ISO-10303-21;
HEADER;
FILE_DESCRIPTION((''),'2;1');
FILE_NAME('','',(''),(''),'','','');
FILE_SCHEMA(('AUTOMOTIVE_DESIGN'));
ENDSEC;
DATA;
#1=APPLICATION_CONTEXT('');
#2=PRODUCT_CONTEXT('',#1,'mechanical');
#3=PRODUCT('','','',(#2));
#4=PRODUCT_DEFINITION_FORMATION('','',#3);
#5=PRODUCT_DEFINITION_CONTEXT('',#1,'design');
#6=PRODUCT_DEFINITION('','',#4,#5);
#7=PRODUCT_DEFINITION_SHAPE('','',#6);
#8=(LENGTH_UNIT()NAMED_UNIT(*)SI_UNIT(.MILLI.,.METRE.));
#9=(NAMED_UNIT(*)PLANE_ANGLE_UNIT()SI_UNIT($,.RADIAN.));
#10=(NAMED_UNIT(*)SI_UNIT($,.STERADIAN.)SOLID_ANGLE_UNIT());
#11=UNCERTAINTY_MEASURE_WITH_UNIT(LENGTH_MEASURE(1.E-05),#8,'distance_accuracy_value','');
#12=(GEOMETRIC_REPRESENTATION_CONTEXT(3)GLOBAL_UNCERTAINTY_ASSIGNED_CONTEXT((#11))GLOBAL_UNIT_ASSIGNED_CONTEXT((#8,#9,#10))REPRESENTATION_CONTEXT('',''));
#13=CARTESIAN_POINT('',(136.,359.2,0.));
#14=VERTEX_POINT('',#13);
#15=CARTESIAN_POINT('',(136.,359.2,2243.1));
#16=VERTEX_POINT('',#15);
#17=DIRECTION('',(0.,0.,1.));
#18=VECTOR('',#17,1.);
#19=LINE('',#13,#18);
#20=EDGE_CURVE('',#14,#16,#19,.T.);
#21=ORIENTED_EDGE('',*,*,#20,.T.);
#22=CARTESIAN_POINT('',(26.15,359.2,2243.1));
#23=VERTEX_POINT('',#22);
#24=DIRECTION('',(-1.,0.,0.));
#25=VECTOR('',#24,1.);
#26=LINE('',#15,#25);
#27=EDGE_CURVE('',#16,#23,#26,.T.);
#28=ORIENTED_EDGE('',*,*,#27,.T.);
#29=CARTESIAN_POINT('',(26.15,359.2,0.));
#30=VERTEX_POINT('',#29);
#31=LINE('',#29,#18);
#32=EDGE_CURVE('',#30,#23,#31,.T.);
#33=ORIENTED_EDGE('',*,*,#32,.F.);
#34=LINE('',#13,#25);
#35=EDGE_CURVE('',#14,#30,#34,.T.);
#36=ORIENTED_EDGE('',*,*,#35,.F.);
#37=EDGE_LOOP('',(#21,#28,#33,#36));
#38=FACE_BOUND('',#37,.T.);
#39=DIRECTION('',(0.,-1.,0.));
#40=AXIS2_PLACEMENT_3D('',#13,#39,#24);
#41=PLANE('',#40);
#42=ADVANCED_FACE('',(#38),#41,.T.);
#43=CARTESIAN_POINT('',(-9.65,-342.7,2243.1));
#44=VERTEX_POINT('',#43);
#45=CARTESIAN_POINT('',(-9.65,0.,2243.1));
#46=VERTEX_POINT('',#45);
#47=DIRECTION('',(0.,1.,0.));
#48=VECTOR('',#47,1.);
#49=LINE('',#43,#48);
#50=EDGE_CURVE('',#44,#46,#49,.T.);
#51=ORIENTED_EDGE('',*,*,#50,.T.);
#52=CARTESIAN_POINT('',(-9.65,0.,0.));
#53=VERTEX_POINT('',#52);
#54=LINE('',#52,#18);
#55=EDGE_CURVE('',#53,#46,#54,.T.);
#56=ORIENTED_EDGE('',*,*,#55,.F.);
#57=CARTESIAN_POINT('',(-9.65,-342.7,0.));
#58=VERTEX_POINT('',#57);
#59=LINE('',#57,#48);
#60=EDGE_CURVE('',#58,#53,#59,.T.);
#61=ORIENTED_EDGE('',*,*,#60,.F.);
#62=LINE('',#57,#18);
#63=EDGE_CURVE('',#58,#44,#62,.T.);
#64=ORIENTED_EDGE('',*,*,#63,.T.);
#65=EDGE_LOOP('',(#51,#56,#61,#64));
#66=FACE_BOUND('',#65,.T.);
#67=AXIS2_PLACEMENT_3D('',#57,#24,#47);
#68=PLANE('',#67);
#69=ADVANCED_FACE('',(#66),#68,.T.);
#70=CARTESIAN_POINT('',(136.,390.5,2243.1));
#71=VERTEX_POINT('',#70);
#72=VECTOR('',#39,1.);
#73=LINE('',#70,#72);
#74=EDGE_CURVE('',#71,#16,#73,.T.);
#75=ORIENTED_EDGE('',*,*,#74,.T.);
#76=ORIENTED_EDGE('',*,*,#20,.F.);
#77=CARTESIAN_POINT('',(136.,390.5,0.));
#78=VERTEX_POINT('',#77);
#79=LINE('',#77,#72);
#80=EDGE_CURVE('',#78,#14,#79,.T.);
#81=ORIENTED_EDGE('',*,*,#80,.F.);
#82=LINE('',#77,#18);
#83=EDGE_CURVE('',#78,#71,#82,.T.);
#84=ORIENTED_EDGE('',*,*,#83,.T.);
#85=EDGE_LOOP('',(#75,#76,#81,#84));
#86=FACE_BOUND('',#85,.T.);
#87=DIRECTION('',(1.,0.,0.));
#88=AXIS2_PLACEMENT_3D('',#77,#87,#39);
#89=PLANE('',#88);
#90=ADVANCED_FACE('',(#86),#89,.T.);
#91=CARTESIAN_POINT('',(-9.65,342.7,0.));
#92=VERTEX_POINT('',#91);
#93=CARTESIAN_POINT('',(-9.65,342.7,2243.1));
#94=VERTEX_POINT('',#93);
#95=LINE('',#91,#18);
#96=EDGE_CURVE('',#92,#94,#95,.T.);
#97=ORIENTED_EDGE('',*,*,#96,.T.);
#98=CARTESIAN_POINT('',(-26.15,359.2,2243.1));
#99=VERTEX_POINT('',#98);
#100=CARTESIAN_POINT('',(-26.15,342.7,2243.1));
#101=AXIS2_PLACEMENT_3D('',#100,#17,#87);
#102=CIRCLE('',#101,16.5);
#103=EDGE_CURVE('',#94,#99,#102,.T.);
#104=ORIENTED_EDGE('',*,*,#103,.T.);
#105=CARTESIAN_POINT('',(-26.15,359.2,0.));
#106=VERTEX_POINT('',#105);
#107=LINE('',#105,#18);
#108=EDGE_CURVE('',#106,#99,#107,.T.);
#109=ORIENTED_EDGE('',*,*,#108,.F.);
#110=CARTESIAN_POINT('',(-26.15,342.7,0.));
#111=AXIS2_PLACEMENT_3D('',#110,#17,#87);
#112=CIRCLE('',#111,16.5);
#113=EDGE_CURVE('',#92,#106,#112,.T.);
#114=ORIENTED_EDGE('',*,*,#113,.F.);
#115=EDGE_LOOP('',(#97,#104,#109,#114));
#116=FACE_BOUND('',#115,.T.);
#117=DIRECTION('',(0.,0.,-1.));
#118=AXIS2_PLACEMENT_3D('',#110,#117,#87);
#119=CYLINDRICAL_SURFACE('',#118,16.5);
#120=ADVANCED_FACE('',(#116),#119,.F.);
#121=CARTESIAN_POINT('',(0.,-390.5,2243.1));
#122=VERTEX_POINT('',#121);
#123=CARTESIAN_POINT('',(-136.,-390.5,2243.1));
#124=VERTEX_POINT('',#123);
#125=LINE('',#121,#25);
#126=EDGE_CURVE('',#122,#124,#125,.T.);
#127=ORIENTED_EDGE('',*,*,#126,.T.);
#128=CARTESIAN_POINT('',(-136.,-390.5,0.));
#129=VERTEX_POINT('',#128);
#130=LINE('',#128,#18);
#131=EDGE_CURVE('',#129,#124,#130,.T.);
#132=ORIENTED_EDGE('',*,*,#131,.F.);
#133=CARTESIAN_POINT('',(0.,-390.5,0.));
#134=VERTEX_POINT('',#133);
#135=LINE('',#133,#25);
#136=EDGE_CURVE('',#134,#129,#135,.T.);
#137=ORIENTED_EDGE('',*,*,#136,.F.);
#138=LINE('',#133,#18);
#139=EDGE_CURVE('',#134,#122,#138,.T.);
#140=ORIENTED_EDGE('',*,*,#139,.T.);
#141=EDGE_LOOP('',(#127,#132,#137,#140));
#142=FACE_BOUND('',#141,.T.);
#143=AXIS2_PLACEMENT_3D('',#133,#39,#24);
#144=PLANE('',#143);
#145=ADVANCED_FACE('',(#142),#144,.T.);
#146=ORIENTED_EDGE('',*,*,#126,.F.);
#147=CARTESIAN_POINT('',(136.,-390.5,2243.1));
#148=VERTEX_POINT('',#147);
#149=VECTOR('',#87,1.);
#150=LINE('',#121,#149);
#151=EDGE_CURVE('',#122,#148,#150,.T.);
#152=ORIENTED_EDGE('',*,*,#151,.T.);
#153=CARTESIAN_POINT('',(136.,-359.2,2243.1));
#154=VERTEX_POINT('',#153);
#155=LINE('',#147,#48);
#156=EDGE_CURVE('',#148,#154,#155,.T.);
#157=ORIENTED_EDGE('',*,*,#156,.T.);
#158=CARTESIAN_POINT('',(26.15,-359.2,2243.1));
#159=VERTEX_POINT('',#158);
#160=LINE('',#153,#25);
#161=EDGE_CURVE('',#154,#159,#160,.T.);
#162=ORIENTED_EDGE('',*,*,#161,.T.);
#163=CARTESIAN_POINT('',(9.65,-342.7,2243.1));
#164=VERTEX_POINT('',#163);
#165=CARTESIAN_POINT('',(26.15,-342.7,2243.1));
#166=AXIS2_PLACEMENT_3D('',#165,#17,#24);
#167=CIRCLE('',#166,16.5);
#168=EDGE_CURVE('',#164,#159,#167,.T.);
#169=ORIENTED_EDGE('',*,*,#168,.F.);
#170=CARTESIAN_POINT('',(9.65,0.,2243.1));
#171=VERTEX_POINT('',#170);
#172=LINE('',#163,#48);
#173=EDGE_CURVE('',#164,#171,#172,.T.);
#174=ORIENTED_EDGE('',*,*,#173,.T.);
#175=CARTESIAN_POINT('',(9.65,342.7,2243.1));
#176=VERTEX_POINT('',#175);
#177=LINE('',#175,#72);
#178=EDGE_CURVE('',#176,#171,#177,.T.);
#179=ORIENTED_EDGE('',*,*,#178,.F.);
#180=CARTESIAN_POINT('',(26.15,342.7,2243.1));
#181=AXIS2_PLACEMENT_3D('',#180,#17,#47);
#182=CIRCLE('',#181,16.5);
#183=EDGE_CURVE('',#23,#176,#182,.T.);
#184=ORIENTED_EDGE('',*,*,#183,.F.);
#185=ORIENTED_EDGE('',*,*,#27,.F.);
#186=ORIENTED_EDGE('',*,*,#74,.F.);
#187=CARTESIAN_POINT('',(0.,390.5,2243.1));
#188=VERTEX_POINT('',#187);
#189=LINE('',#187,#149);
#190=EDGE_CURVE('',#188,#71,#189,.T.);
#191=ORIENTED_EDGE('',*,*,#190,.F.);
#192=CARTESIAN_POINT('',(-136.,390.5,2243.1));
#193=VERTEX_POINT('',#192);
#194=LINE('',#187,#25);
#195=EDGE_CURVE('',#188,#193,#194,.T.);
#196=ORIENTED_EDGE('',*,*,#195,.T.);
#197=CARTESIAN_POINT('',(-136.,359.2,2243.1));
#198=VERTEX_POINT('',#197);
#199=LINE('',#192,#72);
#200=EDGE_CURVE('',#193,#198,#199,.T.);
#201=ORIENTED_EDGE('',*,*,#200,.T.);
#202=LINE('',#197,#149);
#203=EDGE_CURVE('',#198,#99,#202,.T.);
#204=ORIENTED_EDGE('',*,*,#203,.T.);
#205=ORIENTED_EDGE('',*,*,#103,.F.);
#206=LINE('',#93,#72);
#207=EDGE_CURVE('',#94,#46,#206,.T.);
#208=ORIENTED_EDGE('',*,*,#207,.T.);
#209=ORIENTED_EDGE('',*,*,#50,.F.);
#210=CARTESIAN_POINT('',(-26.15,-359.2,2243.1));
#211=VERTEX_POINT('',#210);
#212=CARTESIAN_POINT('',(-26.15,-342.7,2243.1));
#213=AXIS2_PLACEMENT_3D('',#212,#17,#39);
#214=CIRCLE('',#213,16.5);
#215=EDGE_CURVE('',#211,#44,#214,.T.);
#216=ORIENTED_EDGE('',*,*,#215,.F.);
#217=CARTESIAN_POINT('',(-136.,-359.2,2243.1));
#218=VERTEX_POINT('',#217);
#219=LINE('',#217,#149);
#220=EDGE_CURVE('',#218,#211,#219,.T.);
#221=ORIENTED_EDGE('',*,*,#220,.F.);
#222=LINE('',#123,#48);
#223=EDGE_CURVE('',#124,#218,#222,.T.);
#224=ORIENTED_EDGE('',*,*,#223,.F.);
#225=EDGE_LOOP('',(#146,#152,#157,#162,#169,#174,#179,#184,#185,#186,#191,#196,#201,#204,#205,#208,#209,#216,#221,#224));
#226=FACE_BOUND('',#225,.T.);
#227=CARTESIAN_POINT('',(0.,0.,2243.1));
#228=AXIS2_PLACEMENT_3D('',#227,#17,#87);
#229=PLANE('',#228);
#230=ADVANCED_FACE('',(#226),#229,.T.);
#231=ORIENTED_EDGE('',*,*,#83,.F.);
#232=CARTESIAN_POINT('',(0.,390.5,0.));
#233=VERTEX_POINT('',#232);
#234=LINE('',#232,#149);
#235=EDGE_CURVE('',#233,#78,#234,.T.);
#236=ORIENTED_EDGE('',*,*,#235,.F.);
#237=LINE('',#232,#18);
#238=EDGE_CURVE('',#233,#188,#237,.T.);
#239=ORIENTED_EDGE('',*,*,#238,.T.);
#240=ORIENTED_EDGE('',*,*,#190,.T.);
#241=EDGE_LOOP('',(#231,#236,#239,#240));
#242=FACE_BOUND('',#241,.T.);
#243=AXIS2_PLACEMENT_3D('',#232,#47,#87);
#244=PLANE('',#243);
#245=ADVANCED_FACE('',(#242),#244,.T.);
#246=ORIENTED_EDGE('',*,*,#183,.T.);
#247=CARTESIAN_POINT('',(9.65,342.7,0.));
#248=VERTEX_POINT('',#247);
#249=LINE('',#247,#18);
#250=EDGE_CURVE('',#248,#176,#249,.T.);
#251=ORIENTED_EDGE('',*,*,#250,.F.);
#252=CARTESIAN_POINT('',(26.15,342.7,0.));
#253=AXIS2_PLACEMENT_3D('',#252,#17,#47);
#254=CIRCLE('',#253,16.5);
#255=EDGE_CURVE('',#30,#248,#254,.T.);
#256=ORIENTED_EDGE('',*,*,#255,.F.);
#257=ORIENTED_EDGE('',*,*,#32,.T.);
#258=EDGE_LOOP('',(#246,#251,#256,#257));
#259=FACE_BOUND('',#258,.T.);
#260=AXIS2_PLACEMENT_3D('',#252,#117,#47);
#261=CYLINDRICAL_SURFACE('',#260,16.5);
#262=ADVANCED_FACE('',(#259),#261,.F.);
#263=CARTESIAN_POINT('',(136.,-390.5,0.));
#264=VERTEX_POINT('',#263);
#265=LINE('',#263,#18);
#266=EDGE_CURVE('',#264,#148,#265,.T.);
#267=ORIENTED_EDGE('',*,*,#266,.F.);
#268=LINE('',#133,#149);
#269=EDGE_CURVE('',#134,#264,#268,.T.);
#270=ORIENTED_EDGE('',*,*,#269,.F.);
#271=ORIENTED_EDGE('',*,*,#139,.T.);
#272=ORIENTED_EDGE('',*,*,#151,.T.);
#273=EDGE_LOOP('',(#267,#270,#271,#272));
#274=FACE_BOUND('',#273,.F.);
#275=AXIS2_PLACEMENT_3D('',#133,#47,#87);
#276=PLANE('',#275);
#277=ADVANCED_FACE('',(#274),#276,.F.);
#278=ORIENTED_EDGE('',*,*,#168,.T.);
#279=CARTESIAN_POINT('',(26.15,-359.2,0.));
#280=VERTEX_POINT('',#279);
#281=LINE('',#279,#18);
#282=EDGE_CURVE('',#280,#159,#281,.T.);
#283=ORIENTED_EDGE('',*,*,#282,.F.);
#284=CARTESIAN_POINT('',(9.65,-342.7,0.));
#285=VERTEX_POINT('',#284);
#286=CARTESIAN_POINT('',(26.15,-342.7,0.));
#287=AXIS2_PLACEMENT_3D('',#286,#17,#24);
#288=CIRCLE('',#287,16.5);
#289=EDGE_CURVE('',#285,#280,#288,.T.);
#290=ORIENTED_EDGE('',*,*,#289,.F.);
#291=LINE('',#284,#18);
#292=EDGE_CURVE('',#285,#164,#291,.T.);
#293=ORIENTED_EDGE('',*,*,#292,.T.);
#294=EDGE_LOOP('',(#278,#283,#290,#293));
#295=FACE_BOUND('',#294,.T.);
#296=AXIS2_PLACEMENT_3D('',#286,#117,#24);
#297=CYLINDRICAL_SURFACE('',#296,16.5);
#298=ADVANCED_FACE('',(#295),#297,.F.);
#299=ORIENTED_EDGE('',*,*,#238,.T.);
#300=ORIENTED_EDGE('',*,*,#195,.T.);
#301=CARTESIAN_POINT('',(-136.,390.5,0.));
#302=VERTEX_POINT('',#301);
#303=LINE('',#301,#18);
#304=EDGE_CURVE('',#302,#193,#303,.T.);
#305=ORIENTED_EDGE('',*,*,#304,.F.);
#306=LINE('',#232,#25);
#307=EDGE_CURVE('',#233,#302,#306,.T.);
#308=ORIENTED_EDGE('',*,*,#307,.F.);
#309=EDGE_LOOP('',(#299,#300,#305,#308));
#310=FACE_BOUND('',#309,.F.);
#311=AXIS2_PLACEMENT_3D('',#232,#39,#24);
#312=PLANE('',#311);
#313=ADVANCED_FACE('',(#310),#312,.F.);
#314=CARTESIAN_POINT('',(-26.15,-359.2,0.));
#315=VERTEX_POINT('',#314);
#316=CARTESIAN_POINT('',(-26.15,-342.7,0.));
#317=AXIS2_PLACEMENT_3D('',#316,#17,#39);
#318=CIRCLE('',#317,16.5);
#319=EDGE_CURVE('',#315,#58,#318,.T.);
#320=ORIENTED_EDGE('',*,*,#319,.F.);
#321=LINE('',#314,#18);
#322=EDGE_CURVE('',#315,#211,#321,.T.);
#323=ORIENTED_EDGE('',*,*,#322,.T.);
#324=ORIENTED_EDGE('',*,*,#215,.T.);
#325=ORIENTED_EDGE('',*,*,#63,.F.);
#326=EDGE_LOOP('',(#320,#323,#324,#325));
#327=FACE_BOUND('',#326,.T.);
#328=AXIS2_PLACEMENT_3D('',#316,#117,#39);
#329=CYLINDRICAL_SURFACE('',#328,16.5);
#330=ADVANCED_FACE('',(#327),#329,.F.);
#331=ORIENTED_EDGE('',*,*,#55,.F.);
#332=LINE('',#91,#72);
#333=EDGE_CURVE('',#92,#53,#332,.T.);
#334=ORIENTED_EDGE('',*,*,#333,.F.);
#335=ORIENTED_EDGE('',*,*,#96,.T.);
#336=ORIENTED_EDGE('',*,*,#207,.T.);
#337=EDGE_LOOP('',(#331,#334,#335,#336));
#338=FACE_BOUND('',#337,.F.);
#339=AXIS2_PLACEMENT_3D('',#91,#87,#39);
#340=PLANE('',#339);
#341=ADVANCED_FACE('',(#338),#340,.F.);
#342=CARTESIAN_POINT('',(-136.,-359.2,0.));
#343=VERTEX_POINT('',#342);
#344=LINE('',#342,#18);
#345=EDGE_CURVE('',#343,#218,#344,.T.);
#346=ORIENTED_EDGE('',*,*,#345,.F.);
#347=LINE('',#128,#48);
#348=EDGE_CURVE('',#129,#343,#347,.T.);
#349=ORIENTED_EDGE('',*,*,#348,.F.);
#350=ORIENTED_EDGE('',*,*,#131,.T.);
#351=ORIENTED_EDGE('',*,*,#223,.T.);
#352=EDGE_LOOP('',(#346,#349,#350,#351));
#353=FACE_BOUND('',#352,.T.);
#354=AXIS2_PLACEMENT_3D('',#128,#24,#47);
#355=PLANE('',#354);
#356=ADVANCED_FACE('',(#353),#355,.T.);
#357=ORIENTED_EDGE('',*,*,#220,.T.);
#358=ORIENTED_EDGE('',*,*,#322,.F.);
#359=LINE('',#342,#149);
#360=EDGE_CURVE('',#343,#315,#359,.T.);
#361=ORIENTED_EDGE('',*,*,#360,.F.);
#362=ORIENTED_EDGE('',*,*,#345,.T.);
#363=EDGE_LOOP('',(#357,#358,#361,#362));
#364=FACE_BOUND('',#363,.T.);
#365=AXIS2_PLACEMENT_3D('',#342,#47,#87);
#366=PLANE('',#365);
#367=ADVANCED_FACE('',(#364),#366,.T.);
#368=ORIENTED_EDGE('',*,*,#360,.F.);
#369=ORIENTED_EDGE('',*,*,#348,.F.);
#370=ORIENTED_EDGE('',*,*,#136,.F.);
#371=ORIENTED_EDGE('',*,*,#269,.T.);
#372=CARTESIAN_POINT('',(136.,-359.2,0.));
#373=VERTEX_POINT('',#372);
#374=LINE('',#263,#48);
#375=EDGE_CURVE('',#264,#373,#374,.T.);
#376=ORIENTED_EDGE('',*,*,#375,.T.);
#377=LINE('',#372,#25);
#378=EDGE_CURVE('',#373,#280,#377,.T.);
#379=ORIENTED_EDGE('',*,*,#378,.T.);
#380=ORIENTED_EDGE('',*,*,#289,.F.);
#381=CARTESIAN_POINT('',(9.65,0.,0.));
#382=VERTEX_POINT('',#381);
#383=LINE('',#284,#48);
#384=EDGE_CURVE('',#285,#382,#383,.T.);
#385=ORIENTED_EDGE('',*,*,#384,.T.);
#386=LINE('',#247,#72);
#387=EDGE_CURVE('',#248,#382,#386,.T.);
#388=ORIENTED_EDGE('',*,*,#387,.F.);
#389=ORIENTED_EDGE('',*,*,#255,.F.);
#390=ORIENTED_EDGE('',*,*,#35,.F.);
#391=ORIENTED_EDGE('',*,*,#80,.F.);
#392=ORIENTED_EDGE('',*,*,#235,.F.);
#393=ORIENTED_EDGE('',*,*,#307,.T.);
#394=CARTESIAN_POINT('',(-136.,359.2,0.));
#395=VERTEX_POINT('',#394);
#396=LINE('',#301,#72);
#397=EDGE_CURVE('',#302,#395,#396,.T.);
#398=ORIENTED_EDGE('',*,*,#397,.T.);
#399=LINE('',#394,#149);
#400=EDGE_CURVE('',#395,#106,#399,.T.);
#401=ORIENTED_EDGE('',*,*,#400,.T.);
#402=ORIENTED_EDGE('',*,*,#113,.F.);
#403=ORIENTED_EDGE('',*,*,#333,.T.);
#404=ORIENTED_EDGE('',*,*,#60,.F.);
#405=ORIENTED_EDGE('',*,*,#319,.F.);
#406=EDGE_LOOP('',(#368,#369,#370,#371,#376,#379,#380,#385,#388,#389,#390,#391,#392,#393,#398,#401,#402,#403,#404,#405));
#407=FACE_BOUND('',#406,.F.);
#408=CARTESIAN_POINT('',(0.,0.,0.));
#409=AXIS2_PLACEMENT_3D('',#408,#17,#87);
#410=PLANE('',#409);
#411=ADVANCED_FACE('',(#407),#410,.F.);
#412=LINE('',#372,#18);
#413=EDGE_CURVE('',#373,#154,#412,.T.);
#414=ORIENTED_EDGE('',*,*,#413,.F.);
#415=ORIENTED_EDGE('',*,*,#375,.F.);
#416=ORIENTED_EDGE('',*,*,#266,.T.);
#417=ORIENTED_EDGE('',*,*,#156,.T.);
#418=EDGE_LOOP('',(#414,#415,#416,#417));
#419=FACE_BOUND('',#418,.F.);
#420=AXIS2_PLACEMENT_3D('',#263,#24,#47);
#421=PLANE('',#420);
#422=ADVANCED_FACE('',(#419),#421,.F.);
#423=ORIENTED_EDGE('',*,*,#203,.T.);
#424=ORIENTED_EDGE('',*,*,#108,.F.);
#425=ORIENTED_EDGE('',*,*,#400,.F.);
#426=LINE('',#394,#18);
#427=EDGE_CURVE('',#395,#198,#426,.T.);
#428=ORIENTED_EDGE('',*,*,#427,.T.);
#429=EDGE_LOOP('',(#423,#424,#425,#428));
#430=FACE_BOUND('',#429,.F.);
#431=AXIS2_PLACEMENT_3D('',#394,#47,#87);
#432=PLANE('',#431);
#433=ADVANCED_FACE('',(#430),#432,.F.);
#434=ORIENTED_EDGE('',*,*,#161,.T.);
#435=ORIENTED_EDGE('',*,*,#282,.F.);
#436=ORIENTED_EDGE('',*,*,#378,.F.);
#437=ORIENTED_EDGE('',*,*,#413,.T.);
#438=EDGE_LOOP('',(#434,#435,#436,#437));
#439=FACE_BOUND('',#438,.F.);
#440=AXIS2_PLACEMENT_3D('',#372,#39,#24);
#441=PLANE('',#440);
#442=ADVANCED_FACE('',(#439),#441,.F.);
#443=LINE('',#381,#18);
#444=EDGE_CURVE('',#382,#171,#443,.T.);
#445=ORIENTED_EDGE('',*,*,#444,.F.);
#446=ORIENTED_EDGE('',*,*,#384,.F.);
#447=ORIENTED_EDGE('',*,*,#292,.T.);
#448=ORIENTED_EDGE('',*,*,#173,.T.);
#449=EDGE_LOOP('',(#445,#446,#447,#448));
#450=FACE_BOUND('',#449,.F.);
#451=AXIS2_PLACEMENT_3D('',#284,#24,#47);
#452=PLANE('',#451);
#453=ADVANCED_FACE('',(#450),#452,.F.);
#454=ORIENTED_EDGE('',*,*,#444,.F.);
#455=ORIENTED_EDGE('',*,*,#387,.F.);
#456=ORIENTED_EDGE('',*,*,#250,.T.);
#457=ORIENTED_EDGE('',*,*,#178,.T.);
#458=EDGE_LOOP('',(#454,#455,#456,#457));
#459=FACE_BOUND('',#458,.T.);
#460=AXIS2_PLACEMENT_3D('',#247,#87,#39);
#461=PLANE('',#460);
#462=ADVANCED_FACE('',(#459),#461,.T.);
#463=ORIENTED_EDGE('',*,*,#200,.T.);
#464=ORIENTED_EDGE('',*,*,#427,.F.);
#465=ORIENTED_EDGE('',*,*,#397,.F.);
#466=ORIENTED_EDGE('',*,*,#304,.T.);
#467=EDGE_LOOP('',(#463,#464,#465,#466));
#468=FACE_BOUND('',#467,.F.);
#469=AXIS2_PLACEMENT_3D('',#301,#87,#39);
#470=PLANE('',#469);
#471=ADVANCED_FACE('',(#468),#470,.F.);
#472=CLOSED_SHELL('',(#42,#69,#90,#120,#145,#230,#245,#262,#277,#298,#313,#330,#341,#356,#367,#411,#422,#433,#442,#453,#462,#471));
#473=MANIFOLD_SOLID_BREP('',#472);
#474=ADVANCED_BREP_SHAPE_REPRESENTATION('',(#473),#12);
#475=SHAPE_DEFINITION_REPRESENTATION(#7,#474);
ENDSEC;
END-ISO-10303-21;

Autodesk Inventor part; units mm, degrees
ref_plane "YZ Plane" through (0, 0, 0) normal (1, 0, 0) x (0, 1, 0)
ref_plane "Start plane" through (0, 0, 0) normal (0, 0, 1) x (1, 0, 0)
ref_plane "End plane" through (0, 0, 2243.1) normal (0, 0, 1) x (1, 0, 0)
sketch "Sketch" plane through (0, 0, 0) normal (0, 0, 1) x (1, 0, 0)
  line L0 (-136, -390.5) -> (-136, -359.2)
  line L1 (-136, -359.2) -> (-26.15, -359.2)
  line L2 (-9.65, -342.7) -> (-9.65, 0)
  line L3 (-9.65, 0) -> (0, 0) construction
  line L4 (0, 0) -> (0, -390.5) construction
  line L5 (0, -390.5) -> (-136, -390.5)
  line L6 (-60, 0) -> (80, 0) construction
  line L7 (0, -60) -> (0, 80) construction
  line L8 (136, -390.5) -> (136, -359.2)
  line L9 (136, -359.2) -> (26.15, -359.2)
  line L10 (9.65, -342.7) -> (9.65, 0)
  line L11 (9.65, 0) -> (0, 0) construction
  line L12 (0, -390.5) -> (136, -390.5)
  line L13 (-136, 390.5) -> (-136, 359.2)
  line L14 (-136, 359.2) -> (-26.15, 359.2)
  line L15 (-9.65, 342.7) -> (-9.65, 0)
  line L16 (0, 390.5) -> (-136, 390.5)
  line L17 (136, 390.5) -> (136, 359.2)
  line L18 (136, 359.2) -> (26.15, 359.2)
  line L19 (0, 390.5) -> (136, 390.5)
  line L20 (9.65, 342.7) -> (9.65, 0)
  arc A0 (-9.65, 342.7) -> (-26.15, 359.2) centre (-26.15, 342.7) ccw
  arc A1 (26.15, 359.2) -> (9.65, 342.7) centre (26.15, 342.7) ccw
  arc A2 (9.65, -342.7) -> (26.15, -359.2) centre (26.15, -342.7) ccw
  arc A3 (-26.15, -359.2) -> (-9.65, -342.7) centre (-26.15, -342.7) ccw
  line L21 (0, 108) -> (0, -88) construction
  line L22 (-88, 0) -> (108, 0) construction
  point P0 (-9.65, -359.2)
  point P1 (9.65, -359.2)
  point P2 (-9.65, 359.2)
  point P3 (9.65, 359.2)
  dimension "d1" = 390.5
  dimension "d2" = 31.3
  dimension "d3" = 136
  dimension "d4" = 9.65
  dimension "d10" = 16.5
extrude "Body" add sketch "Sketch" along normal up to surface (2243.1 mm away) from surface at 0
sketch "Sketch4" plane through (0, 0, 0) normal (0, 0, 1) x (1, 0, 0)
  line L0 (0, 0) -> (10, 0)
ref_plane "Work Plane3" through (0, 0, 0) normal (0, -1, 0) x (1, 0, 0)
sketch "Sketch5" plane through (0, 0, 0) normal (0, -1, 0) x (1, 0, 0)
  line L0 (-2, 0) -> (12, 0) projected
  line L1 (-2, 2243.1) -> (12, 2243.1) projected
  dimension "d14" = 2243.1
equation "\"d1\" = 0.5 * G_H"
equation "\"d2\" = G_T1"
equation "\"d3\" = 0.5 * G_W"
equation "\"d4\" = 0.5 * G_T"
equation "\"d10\" = G_IR"
equation "\"d5\" = G_L"
equation "\"G_W\" = 272"
equation "\"G_H\" = 781"
equation "\"G_T\" = 19.3"
equation "\"G_T1\" = 31.3"
equation "\"G_IR\" = 16.5"
equation "\"G_L\" = d14"
equation "\"G_OFFSET_START\" = 0"
equation "\"G_OFFSET_END\" = 0"
equation "\"d12\" = G_OFFSET_END + B_L"
equation "\"B_L\" = 2243.1"
properties part number "AS 3679-1990 - 760 UB - 244 - 2243.1" material "Steel, Mild"
